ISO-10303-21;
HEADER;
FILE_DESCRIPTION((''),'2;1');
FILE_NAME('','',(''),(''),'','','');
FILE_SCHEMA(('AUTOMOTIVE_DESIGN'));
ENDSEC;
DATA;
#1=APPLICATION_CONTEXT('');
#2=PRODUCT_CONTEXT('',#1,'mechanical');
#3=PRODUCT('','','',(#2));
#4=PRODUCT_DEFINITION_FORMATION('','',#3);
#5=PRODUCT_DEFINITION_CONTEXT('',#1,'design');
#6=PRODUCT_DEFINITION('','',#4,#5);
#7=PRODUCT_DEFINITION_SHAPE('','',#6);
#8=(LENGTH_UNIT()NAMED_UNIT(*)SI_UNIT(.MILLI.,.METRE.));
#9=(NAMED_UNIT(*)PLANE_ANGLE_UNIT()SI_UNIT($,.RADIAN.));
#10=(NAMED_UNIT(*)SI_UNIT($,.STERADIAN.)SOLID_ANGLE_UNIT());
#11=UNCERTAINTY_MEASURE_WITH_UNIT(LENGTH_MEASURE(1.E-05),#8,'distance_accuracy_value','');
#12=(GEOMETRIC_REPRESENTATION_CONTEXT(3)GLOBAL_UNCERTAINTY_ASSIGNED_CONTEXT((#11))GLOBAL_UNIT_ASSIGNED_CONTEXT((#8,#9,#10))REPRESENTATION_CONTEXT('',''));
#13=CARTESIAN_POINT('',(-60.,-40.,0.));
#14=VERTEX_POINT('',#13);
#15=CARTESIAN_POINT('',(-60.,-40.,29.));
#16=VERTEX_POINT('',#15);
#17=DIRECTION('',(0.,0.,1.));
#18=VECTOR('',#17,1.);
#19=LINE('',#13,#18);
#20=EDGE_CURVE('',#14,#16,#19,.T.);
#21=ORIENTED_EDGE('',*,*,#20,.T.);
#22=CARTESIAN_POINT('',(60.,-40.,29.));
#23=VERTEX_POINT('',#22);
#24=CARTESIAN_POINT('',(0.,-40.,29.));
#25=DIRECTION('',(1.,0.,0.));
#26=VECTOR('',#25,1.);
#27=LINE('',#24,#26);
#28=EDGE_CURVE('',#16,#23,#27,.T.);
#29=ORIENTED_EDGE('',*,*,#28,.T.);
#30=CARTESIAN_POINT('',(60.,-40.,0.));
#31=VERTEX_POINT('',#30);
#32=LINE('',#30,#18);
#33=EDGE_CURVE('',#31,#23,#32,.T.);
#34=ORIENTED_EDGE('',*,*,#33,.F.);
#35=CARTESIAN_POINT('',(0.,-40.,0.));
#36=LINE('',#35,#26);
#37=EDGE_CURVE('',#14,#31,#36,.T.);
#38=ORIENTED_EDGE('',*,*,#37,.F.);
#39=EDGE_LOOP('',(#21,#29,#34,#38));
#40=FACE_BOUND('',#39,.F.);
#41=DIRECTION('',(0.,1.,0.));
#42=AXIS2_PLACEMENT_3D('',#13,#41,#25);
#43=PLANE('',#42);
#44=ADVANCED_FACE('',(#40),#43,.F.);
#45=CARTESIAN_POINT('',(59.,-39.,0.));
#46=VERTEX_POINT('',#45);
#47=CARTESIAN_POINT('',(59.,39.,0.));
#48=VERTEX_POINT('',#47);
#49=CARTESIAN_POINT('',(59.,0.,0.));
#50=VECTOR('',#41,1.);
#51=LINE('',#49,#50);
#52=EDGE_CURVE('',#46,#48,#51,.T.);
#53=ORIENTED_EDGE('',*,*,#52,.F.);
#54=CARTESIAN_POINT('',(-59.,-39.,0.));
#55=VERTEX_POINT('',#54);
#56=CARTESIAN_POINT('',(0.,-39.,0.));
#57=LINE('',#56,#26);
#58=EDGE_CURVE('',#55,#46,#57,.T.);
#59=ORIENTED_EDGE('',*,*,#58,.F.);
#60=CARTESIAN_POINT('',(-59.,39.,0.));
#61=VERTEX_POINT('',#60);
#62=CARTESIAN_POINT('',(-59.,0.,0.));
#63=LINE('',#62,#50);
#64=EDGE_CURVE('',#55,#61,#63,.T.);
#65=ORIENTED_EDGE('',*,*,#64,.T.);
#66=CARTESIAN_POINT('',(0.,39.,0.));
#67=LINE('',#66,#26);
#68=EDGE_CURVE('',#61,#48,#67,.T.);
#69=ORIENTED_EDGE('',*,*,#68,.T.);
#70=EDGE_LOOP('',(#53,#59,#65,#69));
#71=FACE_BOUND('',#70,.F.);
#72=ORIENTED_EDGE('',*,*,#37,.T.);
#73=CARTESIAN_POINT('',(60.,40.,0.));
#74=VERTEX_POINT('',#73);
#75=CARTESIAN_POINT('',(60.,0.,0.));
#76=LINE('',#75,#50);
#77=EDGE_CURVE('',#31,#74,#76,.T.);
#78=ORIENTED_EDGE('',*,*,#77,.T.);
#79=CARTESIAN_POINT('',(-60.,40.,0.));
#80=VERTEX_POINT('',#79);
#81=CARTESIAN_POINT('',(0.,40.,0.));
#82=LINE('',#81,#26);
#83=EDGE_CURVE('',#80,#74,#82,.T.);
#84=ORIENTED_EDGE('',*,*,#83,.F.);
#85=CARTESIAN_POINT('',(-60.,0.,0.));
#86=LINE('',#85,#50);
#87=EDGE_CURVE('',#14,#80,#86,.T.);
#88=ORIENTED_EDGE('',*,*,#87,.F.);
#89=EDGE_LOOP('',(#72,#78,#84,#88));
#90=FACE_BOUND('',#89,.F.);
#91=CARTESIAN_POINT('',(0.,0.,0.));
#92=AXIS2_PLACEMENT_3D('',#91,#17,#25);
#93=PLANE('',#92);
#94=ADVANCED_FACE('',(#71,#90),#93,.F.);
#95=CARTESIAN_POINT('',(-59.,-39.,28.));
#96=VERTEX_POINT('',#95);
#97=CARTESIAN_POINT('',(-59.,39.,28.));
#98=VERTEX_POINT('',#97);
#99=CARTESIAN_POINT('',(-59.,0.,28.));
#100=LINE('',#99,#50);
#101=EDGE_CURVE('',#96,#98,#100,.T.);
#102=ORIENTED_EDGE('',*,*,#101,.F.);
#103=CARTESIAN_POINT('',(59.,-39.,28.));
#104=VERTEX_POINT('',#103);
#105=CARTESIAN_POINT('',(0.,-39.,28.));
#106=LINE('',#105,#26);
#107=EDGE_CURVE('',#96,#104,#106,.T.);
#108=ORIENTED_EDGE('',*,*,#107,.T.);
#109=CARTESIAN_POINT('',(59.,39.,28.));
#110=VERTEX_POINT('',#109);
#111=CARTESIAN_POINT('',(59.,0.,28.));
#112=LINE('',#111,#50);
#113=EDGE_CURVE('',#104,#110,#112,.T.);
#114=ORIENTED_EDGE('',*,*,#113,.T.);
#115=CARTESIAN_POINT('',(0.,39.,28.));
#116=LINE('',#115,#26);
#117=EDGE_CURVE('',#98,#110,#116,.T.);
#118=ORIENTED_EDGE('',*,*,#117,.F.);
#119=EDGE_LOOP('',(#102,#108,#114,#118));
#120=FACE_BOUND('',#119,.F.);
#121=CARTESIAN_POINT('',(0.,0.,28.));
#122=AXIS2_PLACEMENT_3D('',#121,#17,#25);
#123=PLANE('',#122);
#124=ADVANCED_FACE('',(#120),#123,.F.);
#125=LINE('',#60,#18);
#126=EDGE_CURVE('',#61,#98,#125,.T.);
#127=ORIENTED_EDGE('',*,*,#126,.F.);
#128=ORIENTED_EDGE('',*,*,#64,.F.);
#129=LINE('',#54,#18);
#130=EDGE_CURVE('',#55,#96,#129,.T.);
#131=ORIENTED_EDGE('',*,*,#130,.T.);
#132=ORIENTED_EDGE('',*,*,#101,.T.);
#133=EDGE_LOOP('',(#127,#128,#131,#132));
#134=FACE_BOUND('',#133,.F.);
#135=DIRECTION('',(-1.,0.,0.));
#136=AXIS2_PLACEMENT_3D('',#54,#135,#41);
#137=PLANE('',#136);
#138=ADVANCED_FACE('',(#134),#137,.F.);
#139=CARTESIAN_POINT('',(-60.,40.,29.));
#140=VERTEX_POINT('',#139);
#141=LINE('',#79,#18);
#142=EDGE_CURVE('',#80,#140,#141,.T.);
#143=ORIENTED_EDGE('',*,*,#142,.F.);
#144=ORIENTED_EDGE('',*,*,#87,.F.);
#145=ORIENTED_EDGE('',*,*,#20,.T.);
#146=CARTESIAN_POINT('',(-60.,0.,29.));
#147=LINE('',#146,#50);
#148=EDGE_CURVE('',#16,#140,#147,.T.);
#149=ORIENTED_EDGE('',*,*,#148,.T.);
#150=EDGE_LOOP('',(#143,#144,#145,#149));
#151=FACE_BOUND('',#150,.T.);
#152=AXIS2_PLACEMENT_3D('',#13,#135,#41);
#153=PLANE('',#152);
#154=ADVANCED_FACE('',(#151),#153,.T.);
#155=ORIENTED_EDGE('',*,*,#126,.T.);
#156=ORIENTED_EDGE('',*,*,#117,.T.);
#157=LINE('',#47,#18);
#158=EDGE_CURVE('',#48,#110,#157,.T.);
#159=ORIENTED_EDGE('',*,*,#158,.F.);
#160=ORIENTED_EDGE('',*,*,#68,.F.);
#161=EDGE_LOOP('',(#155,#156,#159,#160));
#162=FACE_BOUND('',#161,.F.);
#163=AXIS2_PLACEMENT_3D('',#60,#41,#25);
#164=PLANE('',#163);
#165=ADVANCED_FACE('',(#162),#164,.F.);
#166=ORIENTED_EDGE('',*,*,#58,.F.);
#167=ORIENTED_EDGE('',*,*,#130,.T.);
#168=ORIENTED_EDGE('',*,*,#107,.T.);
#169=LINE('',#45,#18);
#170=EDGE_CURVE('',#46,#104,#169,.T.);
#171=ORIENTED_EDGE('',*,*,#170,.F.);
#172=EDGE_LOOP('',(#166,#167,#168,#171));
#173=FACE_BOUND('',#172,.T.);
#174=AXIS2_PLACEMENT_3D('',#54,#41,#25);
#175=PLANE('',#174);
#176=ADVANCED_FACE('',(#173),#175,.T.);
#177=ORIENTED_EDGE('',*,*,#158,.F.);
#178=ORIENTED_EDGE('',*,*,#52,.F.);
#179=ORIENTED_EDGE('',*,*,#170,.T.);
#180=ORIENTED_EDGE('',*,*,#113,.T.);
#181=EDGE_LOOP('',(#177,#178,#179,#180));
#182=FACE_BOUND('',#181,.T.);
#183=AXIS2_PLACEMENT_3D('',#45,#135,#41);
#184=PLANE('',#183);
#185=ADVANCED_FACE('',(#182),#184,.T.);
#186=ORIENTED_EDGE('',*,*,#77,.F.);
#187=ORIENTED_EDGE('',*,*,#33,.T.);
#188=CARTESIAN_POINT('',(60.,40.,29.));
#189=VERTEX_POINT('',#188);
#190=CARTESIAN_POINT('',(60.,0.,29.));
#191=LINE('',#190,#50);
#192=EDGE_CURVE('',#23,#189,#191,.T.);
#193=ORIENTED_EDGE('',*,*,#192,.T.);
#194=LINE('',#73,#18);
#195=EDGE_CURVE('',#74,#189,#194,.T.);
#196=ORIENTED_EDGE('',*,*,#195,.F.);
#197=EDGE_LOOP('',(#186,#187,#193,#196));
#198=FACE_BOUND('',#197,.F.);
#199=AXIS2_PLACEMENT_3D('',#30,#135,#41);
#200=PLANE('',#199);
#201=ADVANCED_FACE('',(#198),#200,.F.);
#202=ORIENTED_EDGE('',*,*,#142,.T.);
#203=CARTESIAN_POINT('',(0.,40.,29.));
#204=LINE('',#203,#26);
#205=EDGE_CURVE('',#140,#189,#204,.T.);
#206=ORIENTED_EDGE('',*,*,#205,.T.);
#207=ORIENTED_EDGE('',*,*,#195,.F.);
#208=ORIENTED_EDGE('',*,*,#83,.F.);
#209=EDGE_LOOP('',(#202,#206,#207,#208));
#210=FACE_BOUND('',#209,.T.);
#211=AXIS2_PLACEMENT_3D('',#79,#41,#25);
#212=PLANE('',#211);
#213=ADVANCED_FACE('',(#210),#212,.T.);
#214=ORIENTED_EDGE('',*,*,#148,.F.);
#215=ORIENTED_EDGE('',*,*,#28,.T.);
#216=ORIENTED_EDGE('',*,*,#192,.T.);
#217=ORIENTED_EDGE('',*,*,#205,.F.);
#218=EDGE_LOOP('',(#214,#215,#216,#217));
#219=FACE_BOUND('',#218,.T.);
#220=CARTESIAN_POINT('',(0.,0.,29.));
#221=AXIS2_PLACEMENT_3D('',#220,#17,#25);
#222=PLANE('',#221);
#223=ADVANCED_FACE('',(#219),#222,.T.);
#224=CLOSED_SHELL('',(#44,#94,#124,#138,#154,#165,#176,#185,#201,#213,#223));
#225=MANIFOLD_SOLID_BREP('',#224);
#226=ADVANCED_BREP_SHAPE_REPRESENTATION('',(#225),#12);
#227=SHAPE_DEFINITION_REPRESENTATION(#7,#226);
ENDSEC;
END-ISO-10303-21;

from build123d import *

# Parameters (mm, degrees)
F0_W     = 120
F0_H     = 80
F1_DEPTH = 29
F2_W     = 118
F2_H     = 78
F3_DEPTH = 28


with BuildPart() as f1:
    # F0 (on Top) → F1 (new body)
    with BuildSketch(Plane.XY):
        Rectangle(F0_W, F0_H)
    extrude(amount=F1_DEPTH)

    # F2 (on Top) → F3 (cut)
    with BuildSketch(Plane.XY):
        Rectangle(F2_W, F2_H)
    extrude(amount=F3_DEPTH, mode=Mode.SUBTRACT)


solid = f1.part
